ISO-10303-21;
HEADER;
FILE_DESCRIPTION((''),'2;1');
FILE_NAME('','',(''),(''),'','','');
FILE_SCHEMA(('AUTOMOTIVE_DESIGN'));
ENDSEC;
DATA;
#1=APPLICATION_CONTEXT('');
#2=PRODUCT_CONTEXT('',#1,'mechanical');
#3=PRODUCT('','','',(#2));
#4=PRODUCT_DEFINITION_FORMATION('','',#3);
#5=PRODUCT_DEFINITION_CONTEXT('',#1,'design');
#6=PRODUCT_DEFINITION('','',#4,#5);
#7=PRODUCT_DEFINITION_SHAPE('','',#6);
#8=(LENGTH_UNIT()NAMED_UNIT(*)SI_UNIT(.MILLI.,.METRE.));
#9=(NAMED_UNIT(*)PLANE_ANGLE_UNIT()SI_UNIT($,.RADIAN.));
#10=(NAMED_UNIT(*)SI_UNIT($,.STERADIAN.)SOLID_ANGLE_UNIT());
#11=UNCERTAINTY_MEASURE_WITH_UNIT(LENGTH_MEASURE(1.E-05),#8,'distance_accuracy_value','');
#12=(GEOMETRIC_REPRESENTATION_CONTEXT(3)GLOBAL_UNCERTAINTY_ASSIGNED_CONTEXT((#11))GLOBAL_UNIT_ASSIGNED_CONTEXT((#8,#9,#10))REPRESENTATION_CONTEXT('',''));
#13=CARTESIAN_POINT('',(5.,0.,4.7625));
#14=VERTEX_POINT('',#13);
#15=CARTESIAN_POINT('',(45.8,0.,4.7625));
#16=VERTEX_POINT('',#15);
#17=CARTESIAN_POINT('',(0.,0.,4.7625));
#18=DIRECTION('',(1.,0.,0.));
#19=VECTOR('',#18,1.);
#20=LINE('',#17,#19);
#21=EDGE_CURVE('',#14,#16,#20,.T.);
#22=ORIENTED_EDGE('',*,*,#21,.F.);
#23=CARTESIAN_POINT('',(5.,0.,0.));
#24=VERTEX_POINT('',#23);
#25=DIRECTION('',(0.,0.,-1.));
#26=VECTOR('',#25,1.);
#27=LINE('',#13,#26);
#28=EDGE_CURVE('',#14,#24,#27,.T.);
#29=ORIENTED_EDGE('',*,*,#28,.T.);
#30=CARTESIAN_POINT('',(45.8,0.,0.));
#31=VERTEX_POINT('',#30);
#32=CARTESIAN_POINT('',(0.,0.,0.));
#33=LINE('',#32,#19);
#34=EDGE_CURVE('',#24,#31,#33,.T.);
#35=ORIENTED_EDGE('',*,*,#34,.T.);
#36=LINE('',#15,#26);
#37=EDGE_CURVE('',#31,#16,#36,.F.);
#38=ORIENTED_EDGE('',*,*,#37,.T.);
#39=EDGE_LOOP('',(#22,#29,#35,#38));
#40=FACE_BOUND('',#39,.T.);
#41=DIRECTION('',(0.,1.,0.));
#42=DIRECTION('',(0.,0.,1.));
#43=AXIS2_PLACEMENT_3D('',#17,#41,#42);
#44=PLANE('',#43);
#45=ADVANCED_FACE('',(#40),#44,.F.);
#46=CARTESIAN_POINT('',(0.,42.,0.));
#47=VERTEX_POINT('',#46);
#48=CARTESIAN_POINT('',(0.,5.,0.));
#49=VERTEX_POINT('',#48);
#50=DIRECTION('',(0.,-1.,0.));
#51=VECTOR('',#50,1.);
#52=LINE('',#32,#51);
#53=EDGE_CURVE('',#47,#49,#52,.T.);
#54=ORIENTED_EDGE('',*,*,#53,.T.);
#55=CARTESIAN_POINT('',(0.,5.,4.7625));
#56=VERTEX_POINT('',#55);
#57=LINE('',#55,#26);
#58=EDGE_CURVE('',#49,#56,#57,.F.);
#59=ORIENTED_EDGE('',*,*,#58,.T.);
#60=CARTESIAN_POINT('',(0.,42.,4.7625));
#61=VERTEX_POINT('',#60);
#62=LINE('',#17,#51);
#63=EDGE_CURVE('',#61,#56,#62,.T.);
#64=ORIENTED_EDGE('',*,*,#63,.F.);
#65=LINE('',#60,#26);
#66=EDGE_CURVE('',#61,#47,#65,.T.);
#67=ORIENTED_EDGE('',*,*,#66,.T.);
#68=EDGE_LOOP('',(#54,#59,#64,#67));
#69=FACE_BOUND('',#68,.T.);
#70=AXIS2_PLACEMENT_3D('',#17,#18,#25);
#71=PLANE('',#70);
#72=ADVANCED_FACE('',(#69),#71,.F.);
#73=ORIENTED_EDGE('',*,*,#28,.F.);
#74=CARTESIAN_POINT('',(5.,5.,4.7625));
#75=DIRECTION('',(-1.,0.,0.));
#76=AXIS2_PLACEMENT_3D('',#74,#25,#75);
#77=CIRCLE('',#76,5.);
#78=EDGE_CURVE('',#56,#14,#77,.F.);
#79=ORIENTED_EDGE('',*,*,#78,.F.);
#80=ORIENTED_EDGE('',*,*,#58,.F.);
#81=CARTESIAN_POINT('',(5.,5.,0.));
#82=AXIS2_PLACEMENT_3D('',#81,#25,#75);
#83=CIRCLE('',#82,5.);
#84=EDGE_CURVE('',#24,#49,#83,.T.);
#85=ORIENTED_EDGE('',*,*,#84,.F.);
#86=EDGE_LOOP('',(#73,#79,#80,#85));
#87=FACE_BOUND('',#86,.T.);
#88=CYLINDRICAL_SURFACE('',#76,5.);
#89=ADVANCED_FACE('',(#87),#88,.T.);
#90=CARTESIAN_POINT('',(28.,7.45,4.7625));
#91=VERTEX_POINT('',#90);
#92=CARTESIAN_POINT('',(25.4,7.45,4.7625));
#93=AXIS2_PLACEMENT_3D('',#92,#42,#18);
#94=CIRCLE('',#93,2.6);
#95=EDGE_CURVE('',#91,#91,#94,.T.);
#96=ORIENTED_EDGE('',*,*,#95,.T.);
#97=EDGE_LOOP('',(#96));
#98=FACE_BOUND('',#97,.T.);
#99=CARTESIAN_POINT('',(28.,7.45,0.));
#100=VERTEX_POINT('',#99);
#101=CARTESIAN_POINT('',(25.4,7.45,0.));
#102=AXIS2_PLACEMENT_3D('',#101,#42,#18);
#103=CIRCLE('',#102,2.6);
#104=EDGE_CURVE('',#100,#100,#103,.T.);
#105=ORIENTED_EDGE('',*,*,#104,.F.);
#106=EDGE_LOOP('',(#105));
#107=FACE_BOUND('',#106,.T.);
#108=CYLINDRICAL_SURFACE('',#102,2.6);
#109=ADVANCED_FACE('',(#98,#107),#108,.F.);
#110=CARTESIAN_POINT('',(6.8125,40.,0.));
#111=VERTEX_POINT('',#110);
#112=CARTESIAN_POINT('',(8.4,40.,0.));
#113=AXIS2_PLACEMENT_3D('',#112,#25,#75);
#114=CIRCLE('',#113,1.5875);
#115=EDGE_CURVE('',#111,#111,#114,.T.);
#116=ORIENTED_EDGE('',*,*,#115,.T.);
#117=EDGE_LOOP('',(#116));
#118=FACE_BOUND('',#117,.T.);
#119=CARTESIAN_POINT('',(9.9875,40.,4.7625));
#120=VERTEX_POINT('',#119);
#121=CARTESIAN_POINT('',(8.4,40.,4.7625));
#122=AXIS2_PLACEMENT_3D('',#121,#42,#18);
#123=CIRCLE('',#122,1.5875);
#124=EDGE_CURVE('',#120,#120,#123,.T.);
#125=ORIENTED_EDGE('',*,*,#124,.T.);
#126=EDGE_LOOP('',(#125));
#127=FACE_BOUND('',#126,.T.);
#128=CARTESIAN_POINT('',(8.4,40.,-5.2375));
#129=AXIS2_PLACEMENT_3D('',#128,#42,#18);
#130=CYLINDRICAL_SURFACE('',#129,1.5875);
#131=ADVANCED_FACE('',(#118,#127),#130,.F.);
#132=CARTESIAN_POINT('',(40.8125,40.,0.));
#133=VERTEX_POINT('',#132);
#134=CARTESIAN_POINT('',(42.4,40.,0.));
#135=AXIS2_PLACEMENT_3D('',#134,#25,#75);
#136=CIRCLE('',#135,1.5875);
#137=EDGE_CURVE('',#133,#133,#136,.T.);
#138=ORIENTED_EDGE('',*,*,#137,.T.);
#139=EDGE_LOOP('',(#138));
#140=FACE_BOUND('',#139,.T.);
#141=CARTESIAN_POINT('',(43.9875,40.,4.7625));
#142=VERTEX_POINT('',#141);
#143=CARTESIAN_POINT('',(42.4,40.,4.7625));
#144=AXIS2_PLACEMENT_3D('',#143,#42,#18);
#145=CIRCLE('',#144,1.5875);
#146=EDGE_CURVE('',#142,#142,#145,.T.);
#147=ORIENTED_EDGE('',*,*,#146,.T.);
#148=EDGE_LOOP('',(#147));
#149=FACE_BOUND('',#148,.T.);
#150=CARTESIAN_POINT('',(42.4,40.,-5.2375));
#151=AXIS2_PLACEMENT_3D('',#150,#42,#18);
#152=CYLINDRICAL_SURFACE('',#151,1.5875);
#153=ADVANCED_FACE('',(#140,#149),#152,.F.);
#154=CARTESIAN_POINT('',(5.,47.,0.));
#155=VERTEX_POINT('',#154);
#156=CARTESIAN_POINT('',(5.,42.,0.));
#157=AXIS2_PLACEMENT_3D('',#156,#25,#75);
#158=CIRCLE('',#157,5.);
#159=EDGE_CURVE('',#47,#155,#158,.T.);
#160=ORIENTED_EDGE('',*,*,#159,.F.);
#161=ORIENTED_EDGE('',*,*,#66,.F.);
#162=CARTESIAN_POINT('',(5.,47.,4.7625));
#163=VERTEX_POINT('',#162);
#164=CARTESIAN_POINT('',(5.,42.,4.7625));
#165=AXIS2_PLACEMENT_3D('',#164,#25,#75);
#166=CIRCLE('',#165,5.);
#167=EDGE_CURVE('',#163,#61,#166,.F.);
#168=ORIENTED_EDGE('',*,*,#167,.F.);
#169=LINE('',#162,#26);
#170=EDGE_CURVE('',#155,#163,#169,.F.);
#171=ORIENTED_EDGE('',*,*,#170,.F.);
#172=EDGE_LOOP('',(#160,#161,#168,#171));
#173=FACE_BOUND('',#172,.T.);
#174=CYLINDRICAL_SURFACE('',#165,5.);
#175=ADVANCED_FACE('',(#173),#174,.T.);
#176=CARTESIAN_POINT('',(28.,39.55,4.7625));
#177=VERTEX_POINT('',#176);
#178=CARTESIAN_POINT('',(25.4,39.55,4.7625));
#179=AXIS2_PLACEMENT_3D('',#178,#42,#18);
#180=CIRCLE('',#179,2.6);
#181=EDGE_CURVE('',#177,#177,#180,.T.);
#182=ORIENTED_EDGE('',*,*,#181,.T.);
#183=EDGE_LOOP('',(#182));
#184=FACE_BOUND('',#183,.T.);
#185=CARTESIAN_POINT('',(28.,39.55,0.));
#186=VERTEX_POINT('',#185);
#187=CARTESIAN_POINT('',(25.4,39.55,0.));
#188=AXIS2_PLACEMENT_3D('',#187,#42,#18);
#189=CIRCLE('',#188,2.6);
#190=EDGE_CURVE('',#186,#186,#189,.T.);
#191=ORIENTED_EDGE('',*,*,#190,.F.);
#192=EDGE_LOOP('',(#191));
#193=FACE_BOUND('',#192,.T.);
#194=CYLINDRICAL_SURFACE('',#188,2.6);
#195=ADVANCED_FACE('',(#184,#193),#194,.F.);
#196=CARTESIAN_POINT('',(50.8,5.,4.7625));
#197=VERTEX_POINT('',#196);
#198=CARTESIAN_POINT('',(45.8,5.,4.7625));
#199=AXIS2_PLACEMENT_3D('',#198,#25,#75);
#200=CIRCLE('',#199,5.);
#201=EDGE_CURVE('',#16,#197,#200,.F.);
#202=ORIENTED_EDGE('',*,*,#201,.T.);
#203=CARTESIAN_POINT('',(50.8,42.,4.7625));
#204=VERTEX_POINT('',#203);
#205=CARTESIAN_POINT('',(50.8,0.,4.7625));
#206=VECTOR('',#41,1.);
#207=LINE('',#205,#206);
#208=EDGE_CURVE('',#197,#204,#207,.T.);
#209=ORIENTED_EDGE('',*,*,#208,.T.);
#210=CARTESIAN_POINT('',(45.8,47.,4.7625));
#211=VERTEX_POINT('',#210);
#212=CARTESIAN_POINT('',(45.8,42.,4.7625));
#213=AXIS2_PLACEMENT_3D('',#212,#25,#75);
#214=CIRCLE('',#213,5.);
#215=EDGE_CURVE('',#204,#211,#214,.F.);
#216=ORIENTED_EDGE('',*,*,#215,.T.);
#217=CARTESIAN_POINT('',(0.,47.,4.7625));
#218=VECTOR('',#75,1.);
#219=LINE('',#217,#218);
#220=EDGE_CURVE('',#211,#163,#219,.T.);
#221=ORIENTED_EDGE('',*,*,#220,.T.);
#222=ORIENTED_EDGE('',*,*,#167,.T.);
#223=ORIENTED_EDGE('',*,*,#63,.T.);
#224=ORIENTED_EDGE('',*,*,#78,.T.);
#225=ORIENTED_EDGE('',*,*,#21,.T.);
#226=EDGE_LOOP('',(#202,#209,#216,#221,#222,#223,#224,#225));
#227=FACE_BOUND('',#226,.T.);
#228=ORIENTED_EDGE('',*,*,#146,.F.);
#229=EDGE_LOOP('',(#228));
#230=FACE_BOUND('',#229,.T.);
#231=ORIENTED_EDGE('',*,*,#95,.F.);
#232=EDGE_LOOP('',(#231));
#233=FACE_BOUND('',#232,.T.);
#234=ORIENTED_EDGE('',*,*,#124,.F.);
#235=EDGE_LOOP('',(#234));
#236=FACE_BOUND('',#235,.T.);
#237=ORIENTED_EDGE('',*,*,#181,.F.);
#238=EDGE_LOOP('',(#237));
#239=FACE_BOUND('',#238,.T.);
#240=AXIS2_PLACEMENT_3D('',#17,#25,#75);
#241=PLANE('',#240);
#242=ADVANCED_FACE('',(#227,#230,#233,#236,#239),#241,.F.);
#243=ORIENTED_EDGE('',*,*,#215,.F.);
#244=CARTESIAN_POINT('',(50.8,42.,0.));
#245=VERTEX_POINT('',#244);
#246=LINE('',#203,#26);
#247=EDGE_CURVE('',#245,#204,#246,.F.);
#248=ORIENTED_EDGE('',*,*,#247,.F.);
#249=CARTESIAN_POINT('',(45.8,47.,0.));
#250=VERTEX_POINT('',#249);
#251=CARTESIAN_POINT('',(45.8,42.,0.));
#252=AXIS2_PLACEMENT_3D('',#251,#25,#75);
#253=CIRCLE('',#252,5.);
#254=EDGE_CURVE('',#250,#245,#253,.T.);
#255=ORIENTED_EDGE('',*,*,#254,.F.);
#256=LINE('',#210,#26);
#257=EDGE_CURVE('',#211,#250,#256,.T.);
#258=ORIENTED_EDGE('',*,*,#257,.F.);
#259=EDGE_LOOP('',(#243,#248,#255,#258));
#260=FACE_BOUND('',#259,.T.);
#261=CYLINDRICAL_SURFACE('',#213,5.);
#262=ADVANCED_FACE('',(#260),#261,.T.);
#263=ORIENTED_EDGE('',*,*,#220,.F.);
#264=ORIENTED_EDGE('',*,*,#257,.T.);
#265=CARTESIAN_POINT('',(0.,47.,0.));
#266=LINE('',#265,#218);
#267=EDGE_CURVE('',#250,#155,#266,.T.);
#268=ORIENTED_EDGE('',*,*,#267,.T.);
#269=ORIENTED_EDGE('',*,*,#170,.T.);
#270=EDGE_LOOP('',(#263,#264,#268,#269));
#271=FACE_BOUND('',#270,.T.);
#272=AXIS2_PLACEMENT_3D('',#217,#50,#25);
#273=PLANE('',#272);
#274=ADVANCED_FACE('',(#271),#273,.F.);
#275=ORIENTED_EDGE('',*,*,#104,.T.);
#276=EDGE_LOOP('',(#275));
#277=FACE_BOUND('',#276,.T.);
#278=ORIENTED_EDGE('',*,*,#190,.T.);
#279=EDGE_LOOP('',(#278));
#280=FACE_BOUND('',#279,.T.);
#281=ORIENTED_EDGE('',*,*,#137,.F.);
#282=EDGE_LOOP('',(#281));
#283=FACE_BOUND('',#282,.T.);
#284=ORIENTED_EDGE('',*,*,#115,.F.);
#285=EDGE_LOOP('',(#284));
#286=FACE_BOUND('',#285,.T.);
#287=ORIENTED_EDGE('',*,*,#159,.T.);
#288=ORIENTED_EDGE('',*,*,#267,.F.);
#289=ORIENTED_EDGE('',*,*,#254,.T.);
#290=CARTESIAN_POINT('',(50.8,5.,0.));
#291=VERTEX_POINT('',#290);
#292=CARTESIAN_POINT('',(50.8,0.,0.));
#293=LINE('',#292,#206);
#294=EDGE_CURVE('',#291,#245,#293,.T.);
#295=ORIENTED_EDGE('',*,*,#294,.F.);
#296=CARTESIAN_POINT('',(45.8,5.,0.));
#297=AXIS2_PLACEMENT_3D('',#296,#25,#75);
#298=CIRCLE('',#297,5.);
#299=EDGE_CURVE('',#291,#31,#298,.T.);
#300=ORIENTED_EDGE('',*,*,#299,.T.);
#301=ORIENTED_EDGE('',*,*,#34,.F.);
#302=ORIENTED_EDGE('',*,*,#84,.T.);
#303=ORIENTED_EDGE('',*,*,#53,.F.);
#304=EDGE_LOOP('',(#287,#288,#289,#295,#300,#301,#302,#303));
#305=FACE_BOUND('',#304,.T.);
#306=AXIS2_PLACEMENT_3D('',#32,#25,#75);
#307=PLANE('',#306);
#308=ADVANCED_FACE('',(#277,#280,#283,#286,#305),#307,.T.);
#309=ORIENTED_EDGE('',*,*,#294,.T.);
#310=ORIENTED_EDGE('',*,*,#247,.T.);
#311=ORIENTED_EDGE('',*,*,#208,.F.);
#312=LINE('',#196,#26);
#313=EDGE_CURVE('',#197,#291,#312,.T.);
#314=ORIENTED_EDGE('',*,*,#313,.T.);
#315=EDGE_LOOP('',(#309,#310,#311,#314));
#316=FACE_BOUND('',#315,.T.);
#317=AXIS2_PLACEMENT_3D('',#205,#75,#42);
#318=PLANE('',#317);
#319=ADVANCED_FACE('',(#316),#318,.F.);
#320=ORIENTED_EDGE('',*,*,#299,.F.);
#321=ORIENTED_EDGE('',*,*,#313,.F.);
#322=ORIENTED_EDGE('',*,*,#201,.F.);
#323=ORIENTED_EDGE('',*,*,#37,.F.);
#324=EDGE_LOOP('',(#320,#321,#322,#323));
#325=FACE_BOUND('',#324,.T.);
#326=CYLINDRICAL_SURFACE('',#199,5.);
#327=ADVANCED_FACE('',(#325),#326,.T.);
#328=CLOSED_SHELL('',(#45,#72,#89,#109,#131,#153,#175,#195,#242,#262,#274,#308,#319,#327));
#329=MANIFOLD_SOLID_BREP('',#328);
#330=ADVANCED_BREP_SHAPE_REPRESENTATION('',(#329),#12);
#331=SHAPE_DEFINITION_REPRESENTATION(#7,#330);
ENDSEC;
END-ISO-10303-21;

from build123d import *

# Parameters (mm, degrees)
CROQUIS1_W              = 50.8
CROQUIS1_H              = 47
SALIENTE_EXTRUIR1_DEPTH = 4.7625
CROQUIS4_R              = 2.6
CORTAR_EXTRUIR2_DEPTH   = 5.7625
REDONDEO1_R             = 5
CROQUIS7_R              = 1.5875
CORTAR_EXTRUIR5_DEPTH   = 10


with BuildPart() as part:
    # Croquis1 → Saliente-Extruir1 (new body)
    with BuildSketch(Plane.XY):
        with Locations((25.4, 23.5)):
            Rectangle(CROQUIS1_W, CROQUIS1_H)
    extrude(amount=SALIENTE_EXTRUIR1_DEPTH)

    # Croquis4 → Cortar-Extruir2 (cut, through all)
    with BuildSketch(Plane.XY.offset(4.7625)):
        with Locations((25.4, 39.55)):
            Circle(CROQUIS4_R)
        with Locations((25.4, 7.45)):
            Circle(CROQUIS4_R)
    extrude(amount=-CORTAR_EXTRUIR2_DEPTH, mode=Mode.SUBTRACT)

    # Redondeo1
    redondeo1_edges = [part.edges().sort_by_distance(p)[0] for p in [
        (0, 47, 2.38125),
        (50.8, 47, 2.38125),
        (50.8, 0, 2.38125),
        (0, 0, 2.38125),
    ]]
    fillet(redondeo1_edges, radius=REDONDEO1_R)

    # Croquis7 → Cortar-Extruir5 (cut)
    with BuildSketch(Plane.XY.offset(4.7625)):
        with Locations((8.4, 40)):
            Circle(CROQUIS7_R)
        with Locations((42.4, 40)):
            Circle(CROQUIS7_R)
    extrude(amount=-CORTAR_EXTRUIR5_DEPTH, mode=Mode.SUBTRACT)


solid = part.part
